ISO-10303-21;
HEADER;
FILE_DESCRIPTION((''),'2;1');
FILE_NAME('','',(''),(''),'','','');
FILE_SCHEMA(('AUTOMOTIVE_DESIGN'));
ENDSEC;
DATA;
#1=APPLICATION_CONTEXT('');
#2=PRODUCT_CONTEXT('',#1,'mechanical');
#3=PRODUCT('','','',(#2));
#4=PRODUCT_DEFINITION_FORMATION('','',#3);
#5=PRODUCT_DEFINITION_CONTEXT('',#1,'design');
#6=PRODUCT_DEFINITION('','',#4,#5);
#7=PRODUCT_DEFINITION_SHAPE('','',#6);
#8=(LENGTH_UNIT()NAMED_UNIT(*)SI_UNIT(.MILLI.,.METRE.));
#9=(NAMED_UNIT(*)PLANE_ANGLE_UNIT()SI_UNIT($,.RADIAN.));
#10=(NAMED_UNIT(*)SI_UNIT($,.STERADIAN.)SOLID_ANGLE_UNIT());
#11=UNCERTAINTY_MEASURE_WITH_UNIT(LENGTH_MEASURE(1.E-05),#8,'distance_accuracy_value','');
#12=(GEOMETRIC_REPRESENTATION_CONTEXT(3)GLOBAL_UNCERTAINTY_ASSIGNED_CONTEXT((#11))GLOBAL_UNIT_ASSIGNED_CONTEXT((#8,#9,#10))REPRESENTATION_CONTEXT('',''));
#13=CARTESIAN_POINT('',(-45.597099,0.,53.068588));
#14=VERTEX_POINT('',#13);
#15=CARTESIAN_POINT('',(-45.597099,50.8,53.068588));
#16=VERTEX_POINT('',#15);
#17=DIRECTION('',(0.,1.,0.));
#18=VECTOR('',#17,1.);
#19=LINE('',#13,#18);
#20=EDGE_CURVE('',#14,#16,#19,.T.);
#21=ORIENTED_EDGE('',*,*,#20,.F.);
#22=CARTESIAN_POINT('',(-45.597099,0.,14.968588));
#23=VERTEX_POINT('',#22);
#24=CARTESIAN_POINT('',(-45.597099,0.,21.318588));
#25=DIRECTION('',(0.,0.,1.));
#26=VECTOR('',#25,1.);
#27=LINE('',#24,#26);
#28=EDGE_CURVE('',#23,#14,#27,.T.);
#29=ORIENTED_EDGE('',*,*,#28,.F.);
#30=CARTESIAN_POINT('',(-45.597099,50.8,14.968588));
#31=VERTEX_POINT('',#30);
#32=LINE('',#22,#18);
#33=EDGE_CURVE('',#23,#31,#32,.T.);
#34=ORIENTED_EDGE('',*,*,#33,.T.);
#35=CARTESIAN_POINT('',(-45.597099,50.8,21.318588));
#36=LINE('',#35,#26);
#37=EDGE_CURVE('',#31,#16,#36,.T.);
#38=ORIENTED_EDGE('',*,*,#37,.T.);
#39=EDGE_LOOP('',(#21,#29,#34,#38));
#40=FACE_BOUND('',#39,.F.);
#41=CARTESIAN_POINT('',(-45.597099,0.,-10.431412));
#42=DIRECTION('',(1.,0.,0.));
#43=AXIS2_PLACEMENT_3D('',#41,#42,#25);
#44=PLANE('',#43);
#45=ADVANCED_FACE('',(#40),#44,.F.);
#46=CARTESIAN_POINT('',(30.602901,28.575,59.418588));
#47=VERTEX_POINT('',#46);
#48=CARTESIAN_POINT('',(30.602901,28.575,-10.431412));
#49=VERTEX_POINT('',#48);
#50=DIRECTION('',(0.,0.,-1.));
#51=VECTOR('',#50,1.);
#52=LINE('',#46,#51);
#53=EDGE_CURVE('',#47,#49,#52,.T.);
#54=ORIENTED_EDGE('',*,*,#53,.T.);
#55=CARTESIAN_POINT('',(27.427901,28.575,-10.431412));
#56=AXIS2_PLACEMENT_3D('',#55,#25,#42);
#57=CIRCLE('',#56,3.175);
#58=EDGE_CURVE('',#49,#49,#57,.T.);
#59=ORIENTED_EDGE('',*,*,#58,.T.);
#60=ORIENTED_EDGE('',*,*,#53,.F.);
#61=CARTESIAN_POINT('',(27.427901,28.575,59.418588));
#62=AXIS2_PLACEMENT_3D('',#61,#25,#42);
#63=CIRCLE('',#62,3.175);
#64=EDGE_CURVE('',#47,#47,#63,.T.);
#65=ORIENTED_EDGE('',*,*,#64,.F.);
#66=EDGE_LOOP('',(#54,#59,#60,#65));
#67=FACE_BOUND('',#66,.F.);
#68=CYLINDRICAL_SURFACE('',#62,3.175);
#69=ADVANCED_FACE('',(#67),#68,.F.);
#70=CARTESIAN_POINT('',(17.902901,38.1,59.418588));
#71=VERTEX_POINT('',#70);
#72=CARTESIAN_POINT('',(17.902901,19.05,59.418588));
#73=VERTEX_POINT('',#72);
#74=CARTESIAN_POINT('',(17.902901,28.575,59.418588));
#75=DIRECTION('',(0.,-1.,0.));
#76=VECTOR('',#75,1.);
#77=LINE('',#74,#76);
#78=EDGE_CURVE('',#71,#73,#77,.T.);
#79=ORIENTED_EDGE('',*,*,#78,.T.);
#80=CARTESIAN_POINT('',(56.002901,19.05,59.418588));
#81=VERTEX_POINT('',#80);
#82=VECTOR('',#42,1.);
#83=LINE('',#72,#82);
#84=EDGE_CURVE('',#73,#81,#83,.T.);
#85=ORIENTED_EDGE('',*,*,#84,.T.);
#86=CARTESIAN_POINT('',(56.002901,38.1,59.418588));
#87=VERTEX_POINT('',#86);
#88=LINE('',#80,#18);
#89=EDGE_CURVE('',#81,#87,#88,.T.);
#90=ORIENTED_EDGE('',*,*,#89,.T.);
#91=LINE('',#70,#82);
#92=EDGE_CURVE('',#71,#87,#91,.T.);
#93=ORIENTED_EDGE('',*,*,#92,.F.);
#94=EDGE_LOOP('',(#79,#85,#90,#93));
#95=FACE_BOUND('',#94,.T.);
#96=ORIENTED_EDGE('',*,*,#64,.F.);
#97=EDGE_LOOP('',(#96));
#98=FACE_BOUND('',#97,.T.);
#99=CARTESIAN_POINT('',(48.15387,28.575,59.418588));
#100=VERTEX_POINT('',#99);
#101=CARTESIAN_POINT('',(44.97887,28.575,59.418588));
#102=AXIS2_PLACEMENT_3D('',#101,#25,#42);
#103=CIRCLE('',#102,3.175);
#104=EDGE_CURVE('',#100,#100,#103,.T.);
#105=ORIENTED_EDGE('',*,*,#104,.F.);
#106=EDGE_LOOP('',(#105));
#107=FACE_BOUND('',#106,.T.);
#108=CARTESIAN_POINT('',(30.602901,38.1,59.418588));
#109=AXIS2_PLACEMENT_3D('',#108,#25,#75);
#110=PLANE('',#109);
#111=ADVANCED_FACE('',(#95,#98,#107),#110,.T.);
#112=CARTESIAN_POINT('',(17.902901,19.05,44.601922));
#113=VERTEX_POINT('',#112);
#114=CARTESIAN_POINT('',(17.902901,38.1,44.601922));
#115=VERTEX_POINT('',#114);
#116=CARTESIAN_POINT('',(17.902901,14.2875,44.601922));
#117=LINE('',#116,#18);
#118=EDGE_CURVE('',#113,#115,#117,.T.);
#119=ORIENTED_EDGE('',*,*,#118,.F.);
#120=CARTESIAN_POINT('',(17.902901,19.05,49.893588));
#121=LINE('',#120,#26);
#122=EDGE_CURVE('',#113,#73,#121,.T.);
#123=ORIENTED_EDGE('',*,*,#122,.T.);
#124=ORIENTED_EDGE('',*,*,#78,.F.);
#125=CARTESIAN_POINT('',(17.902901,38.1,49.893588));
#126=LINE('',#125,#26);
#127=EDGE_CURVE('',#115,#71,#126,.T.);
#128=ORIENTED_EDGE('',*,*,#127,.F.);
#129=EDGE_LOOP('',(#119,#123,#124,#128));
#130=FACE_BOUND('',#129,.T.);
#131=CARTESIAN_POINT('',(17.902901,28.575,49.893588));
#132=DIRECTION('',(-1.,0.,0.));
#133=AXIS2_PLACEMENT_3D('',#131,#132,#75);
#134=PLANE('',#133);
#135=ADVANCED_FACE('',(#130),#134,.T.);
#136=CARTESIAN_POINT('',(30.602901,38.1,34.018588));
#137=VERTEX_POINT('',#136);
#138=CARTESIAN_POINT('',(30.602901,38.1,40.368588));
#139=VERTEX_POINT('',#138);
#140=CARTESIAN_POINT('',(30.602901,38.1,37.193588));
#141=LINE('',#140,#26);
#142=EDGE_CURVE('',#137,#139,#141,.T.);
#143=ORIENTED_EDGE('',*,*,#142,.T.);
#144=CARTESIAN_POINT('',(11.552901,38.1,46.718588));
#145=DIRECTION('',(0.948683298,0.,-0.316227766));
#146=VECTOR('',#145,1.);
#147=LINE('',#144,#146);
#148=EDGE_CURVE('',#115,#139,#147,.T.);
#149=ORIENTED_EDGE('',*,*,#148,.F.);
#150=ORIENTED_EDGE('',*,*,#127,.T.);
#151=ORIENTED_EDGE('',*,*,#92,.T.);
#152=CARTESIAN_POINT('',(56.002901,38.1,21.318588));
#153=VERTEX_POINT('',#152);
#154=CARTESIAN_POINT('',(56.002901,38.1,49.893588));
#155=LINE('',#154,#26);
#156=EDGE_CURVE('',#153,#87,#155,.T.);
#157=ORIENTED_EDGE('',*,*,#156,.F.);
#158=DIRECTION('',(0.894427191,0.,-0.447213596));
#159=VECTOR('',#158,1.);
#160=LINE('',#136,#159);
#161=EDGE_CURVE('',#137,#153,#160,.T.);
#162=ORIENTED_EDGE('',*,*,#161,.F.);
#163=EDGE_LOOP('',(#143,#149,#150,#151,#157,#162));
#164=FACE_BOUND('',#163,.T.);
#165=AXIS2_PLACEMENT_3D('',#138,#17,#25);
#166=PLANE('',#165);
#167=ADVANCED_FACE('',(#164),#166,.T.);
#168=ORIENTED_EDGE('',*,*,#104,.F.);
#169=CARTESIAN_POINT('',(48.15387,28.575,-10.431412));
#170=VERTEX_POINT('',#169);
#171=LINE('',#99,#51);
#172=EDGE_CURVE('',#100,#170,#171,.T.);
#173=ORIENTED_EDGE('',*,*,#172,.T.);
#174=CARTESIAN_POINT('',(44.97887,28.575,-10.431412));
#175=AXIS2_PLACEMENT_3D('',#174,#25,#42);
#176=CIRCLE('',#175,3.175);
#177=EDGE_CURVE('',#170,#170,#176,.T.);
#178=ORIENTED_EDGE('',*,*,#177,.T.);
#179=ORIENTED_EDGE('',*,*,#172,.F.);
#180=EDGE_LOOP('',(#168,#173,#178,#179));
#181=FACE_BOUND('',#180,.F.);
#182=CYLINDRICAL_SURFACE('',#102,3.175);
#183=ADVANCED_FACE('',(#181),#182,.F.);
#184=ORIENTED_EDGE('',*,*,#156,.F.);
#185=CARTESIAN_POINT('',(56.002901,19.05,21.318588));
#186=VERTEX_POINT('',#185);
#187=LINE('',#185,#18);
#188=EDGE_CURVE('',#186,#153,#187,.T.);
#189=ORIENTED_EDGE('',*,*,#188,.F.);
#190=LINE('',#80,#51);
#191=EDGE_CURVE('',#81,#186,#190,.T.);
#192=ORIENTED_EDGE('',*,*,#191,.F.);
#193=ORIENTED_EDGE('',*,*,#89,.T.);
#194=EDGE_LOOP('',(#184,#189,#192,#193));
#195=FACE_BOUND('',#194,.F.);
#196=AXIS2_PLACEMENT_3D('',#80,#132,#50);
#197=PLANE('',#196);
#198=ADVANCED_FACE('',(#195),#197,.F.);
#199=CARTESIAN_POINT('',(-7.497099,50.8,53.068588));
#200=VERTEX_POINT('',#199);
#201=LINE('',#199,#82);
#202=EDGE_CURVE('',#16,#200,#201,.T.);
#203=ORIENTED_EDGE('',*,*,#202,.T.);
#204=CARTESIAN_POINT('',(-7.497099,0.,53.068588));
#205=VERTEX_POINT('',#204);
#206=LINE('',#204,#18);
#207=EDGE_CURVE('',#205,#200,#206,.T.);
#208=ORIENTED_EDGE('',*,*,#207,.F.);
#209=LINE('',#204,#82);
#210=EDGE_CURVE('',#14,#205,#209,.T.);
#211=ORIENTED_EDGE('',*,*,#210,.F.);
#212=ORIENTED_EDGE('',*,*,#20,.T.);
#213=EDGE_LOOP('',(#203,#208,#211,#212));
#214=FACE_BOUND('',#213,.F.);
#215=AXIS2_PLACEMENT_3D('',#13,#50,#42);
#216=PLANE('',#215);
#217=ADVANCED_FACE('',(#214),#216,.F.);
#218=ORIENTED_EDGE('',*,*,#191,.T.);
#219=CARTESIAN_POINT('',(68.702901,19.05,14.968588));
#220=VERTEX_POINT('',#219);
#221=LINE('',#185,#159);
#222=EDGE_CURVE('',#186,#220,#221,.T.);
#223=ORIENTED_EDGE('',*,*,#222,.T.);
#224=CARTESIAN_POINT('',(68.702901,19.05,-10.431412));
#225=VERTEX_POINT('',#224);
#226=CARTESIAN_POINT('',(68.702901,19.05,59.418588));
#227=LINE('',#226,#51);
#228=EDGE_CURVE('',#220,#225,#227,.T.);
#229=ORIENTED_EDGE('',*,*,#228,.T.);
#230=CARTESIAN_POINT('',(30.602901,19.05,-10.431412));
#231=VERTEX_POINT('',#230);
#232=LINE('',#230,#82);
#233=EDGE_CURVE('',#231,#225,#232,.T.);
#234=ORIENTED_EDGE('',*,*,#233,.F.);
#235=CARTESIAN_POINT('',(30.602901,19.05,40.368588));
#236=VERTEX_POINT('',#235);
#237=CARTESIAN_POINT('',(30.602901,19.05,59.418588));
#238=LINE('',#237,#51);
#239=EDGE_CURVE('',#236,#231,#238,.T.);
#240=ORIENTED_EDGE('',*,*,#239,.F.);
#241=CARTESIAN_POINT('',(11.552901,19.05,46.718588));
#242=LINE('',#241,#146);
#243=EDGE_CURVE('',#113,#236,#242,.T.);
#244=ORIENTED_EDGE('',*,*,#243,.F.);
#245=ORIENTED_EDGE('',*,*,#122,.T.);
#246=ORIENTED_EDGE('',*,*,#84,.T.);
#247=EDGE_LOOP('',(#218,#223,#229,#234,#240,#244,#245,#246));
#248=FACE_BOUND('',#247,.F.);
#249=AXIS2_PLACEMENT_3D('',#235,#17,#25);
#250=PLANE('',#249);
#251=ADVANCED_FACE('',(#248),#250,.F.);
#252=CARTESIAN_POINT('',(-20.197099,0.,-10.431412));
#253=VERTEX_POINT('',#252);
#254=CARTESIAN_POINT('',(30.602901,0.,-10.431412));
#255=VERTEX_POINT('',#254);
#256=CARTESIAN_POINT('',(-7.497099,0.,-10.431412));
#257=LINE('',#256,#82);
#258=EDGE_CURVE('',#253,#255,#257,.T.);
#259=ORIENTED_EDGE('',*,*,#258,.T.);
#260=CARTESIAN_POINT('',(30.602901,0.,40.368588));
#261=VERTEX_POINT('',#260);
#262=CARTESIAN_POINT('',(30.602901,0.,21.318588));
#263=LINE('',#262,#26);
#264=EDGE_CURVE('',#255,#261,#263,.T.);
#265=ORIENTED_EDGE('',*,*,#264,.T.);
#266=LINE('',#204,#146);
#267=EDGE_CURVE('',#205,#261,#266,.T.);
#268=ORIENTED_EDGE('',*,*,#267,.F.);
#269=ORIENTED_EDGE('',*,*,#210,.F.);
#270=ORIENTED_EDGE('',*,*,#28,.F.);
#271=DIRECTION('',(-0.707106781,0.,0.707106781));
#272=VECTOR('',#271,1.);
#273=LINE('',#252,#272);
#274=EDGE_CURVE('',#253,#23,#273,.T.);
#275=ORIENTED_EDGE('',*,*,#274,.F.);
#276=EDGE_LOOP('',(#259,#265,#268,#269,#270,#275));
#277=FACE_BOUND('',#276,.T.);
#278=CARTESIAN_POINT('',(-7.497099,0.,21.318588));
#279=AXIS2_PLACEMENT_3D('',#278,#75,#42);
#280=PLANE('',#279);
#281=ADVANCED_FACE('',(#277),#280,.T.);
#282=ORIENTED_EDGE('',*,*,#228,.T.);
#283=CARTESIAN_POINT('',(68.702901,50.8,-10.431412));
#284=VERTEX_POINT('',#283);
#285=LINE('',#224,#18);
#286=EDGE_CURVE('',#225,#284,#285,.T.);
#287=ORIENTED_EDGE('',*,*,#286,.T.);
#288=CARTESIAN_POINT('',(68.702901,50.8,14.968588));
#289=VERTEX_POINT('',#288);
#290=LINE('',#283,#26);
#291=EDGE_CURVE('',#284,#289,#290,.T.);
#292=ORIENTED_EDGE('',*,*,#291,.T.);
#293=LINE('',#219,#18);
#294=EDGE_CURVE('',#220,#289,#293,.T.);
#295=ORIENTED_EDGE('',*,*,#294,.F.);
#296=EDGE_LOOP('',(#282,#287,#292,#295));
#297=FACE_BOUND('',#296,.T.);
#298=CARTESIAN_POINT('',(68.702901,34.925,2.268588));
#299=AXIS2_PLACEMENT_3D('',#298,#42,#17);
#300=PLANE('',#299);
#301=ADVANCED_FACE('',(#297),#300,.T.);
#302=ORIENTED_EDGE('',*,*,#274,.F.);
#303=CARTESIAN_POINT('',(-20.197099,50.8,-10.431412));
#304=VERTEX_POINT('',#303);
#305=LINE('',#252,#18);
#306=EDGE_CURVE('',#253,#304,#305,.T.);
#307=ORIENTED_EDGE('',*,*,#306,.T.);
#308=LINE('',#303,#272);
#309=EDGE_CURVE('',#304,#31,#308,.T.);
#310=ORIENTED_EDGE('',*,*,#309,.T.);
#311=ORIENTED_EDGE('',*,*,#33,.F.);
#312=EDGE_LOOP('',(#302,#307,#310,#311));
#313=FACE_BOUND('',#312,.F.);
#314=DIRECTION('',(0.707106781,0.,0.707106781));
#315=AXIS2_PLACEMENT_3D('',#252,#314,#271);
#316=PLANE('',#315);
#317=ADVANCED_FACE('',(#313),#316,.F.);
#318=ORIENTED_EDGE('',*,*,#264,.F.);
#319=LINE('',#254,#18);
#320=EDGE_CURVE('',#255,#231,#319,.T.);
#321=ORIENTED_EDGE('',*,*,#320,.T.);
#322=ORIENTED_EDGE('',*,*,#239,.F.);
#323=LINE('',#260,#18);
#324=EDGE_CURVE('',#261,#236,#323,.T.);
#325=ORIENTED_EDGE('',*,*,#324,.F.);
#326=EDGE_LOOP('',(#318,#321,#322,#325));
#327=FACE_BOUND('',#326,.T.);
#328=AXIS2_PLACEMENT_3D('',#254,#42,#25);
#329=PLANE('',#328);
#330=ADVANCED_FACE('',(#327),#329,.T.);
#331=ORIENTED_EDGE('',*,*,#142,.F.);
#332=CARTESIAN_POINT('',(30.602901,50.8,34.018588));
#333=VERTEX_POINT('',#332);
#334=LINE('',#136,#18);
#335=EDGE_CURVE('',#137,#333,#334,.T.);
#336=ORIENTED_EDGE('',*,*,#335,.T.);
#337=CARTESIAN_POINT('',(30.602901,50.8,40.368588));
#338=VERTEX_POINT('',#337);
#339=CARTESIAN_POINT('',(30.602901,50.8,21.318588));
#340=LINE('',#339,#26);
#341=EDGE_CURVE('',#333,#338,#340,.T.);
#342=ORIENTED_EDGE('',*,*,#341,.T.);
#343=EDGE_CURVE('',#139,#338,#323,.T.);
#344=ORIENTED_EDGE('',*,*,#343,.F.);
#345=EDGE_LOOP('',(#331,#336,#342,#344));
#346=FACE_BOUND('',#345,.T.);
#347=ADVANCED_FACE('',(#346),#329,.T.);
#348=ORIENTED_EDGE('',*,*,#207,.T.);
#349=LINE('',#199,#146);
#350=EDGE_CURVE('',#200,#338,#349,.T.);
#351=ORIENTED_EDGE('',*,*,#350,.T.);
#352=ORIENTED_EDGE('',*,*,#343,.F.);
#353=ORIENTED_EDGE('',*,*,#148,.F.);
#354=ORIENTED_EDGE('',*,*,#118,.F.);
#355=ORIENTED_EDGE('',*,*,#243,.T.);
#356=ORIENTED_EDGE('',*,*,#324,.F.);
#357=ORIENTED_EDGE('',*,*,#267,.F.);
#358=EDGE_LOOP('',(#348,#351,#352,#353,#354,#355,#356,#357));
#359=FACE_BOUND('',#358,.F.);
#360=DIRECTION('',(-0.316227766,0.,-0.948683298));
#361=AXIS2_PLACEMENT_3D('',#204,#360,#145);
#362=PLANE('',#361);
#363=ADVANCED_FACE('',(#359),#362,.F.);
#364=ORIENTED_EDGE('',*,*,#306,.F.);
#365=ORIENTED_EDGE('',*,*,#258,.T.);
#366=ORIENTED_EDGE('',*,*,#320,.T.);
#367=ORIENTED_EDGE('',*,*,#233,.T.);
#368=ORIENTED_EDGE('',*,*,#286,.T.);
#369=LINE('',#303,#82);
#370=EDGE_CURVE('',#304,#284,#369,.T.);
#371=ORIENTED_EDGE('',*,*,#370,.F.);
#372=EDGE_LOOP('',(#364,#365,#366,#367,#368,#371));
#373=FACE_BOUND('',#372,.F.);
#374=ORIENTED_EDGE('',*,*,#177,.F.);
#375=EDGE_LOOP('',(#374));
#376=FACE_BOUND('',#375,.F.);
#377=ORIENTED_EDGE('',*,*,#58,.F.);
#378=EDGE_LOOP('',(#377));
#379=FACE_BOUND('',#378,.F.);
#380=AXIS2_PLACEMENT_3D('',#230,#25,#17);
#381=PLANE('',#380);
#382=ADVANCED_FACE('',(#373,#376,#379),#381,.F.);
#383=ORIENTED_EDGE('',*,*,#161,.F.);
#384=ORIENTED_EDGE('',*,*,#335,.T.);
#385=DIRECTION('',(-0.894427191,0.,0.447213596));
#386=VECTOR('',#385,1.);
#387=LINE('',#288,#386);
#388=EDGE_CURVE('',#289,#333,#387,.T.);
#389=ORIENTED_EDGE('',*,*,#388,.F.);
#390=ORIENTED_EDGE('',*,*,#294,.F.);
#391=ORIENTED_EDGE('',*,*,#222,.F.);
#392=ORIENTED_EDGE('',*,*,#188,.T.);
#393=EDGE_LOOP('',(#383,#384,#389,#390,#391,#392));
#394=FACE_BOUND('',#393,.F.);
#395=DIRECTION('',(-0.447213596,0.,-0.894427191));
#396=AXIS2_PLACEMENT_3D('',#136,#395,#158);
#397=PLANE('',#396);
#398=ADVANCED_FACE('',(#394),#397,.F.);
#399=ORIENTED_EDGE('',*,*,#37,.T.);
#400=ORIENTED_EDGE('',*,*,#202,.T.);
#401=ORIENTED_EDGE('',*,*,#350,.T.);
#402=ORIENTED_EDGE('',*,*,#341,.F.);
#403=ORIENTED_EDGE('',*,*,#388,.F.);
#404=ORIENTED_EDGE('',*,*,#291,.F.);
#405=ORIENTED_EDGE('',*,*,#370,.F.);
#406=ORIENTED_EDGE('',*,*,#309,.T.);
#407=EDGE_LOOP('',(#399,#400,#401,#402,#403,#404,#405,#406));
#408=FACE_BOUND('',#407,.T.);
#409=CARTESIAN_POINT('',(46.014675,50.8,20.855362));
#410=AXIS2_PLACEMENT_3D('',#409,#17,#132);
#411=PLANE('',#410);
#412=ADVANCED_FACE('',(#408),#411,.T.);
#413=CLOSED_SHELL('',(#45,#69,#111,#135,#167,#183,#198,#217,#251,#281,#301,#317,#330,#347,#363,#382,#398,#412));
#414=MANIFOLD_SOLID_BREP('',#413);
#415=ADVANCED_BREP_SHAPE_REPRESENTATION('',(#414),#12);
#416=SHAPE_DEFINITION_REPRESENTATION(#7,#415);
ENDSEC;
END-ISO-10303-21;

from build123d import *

# Parameters (mm, degrees)
F0_W      = 76.2
F0_H      = 63.5
F1_DEPTH  = 50.8
F3_DEPTH  = 50.8
F4_W      = 19.05
F4_H      = 44.45
F5_DEPTH  = 38.1
F6_W      = 19.05
F6_H      = 19.05
F7_DEPTH  = 12.7
F10_DEPTH = 12.7
F11_R     = 3.175
F12_DEPTH = 69.851
F13_DEPTH = 31.75


with BuildPart() as f1:
    # F0 (on Front) → F1 (new body)
    with BuildSketch(Plane.XZ):
        with Locations((-7.4970987678, 21.3185883239)):
            Rectangle(F0_W, F0_H)
    extrude(amount=-F1_DEPTH)

    # F2 (on face) → F3 (cut)
    with BuildSketch(Plane.XZ):
        Polygon((-45.5970987678, 14.9685883239), (-45.5970987678, -10.4314116761), (-20.1970987678, -10.4314116761), align=None)
        Polygon((30.6029012322, 40.3685883239), (30.6029012322, 53.0685883239), (-7.4970987678, 53.0685883239), align=None)
    extrude(amount=-F3_DEPTH, mode=Mode.SUBTRACT)

    # F4 (on face) → F5 (join)
    with BuildSketch(Plane.YZ.offset(30.6029012322)):
        Polygon((19.05, 14.9685883239), (19.05, -10.4314116761), (50.8, -10.4314116761), (50.8, 14.9685883239), (38.1, 14.9685883239), align=None)
        with Locations((28.575, 37.1935883239)):
            Rectangle(F4_W, F4_H)
    extrude(amount=F5_DEPTH)

    # F6 (on face) → F7 (join)
    with BuildSketch(Plane(origin=(30.6029012322, 0, 0), x_dir=(0, -1, 0), z_dir=(-1, 0, 0))):
        with Locations((-28.575, 49.8935883239)):
            Rectangle(F6_W, F6_H)
    extrude(amount=F7_DEPTH)

    # F9 (on face) → F10 (join)
    with BuildSketch(Plane(origin=(0, 38.1, 0), x_dir=(-1, 0, 0), z_dir=(0, 1, 0))):
        Polygon((-30.6029012322, 34.0185883239), (-68.7029012322, 14.9685883239), (-30.6029012322, 14.9685883239), align=None)
    extrude(amount=F10_DEPTH)

    # F11 (on face) → F12 (cut, through all)
    with BuildSketch(Plane.XY.offset(59.4185883239)):
        with Locations((27.4279012322, 28.575)):
            Circle(F11_R)
        with Locations((44.9788695751, 28.575)):
            Circle(F11_R)
    extrude(amount=-F12_DEPTH, mode=Mode.SUBTRACT)

    # F8 (on face) → F13 (cut)
    with BuildSketch(Plane.XZ.offset(-19.05)):
        Polygon((56.0029012322, 59.4185883239), (56.0029012322, 21.3185883239), (68.7029012322, 14.9685883239), (68.7029012322, 59.4185883239), align=None)
    extrude(amount=-F13_DEPTH, mode=Mode.SUBTRACT)


solid = f1.part
